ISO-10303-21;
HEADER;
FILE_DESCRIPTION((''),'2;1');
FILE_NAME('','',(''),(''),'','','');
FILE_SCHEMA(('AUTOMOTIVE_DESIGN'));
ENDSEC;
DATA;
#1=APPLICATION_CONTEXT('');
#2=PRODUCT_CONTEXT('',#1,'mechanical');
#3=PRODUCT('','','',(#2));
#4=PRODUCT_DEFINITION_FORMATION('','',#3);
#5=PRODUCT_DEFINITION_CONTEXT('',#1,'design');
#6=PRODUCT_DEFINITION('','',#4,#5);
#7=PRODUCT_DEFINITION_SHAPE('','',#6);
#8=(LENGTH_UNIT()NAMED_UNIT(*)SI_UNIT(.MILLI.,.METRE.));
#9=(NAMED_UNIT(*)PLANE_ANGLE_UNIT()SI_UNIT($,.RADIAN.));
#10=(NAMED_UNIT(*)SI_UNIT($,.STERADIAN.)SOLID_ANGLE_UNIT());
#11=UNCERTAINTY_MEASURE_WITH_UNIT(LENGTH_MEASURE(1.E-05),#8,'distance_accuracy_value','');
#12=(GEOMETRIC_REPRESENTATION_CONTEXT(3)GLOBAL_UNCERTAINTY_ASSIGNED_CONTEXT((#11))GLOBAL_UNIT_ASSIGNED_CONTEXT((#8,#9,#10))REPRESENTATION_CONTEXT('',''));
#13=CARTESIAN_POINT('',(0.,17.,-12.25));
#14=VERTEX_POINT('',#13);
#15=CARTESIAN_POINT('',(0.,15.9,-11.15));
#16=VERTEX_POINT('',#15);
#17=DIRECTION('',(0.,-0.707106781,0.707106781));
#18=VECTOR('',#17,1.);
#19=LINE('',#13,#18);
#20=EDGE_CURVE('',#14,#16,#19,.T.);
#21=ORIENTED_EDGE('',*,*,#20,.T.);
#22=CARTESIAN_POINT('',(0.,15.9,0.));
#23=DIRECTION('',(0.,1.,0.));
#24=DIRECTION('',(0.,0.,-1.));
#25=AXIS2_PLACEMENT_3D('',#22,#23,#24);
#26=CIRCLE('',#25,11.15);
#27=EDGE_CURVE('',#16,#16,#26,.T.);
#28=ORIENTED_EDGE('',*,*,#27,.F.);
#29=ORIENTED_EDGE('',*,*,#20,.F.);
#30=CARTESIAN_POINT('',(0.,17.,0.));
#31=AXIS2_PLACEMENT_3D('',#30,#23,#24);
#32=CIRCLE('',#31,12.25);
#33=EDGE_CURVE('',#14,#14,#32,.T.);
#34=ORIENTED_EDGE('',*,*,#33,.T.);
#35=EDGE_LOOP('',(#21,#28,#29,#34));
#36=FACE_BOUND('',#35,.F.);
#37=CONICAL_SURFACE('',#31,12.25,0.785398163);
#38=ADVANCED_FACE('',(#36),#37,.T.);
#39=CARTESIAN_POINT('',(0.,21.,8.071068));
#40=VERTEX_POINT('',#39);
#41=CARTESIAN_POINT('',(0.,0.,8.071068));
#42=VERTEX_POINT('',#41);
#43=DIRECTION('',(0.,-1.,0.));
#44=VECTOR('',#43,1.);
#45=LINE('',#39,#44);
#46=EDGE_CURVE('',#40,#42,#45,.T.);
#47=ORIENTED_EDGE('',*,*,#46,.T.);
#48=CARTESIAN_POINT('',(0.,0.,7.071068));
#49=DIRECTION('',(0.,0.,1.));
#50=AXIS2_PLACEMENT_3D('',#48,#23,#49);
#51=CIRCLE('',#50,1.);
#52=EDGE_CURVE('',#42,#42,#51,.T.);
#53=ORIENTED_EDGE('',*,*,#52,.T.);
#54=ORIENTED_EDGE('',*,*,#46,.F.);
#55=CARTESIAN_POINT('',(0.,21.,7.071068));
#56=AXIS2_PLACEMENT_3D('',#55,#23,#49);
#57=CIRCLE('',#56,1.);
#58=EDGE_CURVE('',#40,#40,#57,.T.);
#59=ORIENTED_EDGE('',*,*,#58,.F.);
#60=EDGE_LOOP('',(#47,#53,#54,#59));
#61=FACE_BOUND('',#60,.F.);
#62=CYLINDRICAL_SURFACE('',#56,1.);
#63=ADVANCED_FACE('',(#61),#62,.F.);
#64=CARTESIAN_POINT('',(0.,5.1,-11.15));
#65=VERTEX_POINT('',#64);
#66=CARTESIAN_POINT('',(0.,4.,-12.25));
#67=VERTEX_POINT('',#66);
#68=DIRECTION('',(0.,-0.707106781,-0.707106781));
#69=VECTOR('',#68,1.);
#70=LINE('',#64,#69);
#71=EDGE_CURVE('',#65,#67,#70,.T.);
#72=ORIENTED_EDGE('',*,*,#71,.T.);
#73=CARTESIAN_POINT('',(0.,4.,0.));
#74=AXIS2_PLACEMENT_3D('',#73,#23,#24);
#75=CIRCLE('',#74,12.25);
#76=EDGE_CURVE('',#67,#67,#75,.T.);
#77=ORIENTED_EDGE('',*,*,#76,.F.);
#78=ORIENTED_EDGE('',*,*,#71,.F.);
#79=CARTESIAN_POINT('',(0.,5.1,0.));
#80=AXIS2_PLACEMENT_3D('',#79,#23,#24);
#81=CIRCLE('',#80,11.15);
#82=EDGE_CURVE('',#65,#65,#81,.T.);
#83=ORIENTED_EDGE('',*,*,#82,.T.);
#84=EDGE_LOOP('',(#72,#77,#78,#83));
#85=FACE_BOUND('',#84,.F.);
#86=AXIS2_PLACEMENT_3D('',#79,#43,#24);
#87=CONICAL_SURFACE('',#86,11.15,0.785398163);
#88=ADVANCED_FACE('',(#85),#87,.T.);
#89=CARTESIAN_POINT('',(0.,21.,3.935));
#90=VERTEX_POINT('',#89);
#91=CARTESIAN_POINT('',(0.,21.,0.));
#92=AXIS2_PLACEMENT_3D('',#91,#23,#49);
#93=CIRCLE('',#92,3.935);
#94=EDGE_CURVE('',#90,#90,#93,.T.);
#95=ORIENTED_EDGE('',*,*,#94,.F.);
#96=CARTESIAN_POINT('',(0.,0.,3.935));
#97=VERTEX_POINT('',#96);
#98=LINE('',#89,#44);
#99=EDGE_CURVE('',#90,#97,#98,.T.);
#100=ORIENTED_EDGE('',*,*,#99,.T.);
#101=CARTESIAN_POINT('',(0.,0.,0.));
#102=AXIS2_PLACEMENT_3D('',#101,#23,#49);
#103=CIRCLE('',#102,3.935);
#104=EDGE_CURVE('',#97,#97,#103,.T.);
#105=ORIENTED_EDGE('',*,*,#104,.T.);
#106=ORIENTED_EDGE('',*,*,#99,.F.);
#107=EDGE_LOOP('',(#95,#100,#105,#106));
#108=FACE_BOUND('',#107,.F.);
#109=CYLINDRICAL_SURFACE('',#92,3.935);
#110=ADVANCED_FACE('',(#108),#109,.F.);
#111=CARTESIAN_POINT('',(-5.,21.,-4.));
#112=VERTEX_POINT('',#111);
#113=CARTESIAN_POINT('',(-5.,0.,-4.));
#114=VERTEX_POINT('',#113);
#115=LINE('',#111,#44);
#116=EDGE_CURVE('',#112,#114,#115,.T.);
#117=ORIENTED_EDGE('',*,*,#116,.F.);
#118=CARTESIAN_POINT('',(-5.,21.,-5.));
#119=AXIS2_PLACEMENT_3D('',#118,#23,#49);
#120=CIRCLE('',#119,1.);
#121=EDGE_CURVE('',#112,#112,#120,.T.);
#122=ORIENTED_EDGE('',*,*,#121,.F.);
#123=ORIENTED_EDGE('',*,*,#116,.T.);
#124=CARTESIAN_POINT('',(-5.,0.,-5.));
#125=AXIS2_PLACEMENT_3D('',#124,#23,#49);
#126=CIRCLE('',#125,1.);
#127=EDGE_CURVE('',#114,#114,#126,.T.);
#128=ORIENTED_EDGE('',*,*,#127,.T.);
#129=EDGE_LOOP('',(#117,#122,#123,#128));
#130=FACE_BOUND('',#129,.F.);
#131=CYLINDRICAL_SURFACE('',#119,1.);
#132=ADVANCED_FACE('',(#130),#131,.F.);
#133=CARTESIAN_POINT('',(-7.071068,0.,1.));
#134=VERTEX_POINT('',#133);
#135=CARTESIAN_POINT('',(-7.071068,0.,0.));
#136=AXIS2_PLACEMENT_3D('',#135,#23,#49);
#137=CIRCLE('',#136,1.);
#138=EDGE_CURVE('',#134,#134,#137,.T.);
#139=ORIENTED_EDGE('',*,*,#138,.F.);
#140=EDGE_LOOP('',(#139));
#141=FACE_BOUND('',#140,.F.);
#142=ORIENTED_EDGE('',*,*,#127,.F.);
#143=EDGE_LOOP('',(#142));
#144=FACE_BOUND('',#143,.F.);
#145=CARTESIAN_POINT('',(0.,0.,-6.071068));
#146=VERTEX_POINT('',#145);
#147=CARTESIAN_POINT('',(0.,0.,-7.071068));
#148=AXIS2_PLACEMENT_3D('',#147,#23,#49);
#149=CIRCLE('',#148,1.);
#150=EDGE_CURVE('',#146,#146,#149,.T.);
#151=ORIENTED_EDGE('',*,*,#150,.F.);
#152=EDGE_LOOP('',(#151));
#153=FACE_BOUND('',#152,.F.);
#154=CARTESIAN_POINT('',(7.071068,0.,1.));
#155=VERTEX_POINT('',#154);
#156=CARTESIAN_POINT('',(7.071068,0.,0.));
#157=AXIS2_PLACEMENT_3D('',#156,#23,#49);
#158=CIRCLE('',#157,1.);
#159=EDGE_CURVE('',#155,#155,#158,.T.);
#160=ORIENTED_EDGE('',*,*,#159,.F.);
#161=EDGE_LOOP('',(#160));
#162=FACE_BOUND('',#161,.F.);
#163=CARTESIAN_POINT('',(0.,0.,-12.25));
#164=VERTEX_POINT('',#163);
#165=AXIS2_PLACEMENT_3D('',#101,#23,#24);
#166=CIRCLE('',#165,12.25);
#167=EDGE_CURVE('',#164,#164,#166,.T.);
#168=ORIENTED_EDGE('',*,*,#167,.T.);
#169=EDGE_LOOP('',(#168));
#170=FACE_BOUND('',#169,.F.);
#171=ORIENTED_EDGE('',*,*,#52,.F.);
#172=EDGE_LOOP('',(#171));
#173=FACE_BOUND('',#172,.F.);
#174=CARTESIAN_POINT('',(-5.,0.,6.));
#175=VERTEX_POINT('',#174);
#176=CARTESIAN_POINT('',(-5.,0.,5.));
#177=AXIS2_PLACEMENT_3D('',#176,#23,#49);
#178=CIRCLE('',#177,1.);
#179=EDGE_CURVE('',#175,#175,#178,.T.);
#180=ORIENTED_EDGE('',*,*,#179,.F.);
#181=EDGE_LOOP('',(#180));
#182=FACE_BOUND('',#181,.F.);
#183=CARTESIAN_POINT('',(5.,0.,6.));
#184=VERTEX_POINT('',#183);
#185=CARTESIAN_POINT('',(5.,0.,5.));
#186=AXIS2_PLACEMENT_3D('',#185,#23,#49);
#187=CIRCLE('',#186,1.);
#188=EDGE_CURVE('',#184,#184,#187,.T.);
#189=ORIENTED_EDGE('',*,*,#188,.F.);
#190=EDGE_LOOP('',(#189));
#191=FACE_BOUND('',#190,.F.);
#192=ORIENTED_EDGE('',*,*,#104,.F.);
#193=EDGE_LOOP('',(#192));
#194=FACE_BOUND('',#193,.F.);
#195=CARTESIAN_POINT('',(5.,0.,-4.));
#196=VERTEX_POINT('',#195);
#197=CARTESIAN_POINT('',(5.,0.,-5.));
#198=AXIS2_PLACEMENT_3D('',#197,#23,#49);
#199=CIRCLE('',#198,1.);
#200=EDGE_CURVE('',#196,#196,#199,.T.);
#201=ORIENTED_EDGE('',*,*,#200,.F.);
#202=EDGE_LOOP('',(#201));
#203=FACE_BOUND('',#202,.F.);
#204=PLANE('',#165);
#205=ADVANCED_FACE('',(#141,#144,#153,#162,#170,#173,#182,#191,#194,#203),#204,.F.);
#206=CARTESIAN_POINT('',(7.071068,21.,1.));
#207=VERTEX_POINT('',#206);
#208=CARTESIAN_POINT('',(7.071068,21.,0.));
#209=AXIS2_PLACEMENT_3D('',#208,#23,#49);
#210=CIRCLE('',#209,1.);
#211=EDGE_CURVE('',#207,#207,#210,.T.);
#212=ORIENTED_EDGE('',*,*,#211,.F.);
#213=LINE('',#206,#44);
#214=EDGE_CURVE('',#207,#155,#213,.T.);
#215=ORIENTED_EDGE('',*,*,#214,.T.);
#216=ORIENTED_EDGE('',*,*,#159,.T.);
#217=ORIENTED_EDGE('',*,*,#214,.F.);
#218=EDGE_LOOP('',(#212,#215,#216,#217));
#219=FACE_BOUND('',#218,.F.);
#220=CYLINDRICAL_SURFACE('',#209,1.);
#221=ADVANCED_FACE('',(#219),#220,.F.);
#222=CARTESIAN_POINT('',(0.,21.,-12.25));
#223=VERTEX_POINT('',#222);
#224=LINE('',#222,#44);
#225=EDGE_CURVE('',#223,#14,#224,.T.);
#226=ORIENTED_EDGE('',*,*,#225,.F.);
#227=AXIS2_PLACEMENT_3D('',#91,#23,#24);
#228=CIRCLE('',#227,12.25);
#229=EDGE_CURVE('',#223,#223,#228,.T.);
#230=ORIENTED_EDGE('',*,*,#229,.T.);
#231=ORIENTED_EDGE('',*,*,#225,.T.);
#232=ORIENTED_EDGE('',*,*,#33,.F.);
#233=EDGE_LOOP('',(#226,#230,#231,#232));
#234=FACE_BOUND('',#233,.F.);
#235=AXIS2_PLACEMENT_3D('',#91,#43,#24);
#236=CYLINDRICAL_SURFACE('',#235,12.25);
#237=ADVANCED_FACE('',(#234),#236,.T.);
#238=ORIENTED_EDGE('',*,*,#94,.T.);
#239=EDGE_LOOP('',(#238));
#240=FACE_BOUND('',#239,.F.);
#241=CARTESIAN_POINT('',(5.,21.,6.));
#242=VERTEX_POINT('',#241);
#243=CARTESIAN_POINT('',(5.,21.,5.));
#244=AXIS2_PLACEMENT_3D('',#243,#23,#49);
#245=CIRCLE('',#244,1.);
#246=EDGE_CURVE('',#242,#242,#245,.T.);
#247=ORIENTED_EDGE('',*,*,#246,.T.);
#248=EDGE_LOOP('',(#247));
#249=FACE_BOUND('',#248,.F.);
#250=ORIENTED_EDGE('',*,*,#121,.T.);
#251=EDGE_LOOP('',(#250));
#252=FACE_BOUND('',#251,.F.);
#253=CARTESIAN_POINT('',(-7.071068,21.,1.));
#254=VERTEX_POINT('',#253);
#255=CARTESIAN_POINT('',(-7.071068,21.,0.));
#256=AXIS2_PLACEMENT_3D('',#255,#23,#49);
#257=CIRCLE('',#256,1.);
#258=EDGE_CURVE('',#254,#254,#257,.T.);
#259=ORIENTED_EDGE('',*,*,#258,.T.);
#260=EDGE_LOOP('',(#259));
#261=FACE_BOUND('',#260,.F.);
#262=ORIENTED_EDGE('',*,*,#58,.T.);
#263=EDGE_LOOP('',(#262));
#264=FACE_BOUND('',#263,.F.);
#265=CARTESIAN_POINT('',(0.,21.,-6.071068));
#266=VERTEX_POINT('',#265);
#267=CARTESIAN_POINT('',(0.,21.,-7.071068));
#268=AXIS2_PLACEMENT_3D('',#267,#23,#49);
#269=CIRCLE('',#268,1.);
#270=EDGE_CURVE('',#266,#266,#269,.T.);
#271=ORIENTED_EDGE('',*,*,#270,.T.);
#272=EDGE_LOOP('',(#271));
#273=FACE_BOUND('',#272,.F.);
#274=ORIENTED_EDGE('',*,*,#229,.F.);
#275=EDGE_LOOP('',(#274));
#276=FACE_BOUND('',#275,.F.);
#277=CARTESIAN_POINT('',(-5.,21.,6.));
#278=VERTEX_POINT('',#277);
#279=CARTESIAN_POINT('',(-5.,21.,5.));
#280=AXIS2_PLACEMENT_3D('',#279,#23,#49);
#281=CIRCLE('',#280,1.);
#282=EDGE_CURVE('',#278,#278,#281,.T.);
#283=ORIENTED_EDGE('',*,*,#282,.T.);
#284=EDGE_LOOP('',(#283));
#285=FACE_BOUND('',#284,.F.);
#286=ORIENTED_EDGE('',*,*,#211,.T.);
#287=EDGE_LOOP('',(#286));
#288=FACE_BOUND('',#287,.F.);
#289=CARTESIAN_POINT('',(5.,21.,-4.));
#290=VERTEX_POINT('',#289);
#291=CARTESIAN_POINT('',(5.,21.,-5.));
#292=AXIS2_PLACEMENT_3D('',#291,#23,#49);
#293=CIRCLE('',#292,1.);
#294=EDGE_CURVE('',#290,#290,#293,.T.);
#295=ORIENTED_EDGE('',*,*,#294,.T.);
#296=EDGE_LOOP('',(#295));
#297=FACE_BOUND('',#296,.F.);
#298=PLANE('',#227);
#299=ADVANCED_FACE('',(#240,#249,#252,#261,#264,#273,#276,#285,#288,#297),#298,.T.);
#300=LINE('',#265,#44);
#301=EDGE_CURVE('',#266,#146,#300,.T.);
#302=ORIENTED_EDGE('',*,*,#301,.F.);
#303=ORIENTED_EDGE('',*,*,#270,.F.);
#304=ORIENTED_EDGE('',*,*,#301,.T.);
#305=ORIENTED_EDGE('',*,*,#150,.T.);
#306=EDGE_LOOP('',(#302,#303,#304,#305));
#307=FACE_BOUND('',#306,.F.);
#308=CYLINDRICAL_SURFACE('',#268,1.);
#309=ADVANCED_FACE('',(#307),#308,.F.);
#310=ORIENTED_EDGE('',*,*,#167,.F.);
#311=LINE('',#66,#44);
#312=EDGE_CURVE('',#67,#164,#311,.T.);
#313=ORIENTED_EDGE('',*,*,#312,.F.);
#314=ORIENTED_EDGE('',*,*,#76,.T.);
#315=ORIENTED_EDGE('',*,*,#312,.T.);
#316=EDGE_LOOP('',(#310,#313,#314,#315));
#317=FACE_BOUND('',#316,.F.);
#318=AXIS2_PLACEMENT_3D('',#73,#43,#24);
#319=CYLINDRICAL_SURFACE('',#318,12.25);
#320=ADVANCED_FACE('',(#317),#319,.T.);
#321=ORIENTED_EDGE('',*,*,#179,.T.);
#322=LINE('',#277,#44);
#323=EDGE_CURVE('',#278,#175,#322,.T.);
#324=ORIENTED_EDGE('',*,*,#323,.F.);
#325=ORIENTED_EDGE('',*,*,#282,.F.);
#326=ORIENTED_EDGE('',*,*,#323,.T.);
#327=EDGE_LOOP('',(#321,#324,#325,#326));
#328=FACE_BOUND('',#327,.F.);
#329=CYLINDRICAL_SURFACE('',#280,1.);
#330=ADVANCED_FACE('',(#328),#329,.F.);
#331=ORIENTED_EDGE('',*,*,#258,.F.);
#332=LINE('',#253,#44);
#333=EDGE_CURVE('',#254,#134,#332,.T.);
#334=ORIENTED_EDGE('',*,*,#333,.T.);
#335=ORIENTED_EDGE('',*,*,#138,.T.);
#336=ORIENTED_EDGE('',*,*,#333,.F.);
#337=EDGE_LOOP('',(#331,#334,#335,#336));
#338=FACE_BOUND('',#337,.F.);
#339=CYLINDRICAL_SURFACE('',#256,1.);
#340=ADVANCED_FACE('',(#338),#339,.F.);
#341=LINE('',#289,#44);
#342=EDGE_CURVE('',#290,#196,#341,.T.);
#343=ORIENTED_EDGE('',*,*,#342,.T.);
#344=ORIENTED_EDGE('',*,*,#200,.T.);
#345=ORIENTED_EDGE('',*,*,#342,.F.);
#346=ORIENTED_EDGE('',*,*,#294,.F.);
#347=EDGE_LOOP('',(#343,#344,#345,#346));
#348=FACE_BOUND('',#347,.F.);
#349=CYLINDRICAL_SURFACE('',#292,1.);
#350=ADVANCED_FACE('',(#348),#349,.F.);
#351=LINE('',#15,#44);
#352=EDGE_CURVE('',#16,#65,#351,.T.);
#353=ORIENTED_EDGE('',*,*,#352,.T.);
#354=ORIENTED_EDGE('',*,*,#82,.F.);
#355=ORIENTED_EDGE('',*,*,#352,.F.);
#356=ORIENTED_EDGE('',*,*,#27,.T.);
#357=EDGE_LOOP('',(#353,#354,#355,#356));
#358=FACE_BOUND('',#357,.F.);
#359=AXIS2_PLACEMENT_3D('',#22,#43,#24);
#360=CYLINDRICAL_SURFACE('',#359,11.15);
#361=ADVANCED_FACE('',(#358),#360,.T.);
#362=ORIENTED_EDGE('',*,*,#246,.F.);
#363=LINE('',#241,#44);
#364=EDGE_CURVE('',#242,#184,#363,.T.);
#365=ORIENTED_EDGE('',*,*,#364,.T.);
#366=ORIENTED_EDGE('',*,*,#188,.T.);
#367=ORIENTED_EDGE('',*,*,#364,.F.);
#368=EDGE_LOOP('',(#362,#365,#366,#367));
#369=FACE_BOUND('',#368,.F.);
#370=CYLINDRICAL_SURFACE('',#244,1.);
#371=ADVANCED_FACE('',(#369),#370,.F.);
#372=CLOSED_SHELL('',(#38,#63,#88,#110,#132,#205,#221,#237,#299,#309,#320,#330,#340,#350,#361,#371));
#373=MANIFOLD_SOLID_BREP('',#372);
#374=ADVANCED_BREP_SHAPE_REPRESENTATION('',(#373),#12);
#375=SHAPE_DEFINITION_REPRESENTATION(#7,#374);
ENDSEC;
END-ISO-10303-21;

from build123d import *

# Parameters (mm, degrees)
SKETCH2_R          = 3.935
SKETCH2_R_2        = 1
CUT_EXTRUDE1_DEPTH = 45


with BuildPart() as part:
    # Sketch1 → Revolve1 (revolve)
    with BuildSketch(Plane.XY, mode=Mode.PRIVATE) as revolve1_sk:
        Polygon((-3, 0), (-3, 21), (-12.25, 21), (-12.25, 17), (-11.15, 15.9), (-11.15, 5.1), (-12.25, 4), (-12.25, 0), align=None)
    revolve(revolve1_sk.sketch.rotate(Axis((0, 0, 0), (0, 1, 0)), 270), axis=Axis((0, 0, 0), (0, 1, 0)))

    # Sketch2 → Cut-Extrude1 (cut)
    with BuildSketch(Plane(origin=(0, 21, 0), x_dir=(1, 0, 0), z_dir=(0, 1, 0))):
        with Locations(Location((0, 0, 0), (0, 0, 270))):
            Circle(SKETCH2_R)
        with Locations(Location((-5, 5, 0), (0, 0, 270))):
            Circle(SKETCH2_R_2)
        with Locations(Location((5, 5, 0), (0, 0, 270))):
            Circle(SKETCH2_R_2)
        with Locations(Location((5, -5, 0), (0, 0, 270))):
            Circle(SKETCH2_R_2)
        with Locations(Location((-5, -5, 0), (0, 0, 270))):
            Circle(SKETCH2_R_2)
        with Locations(Location((-7.071067812, 0, 0), (0, 0, 270))):
            Circle(SKETCH2_R_2)
        with Locations(Location((0, 7.071067812, 0), (0, 0, 270))):
            Circle(SKETCH2_R_2)
        with Locations(Location((7.071067812, 0, 0), (0, 0, 270))):
            Circle(SKETCH2_R_2)
        with Locations(Location((0, -7.071067812, 0), (0, 0, 270))):
            Circle(SKETCH2_R_2)
    extrude(amount=-CUT_EXTRUDE1_DEPTH, mode=Mode.SUBTRACT)


solid = part.part
